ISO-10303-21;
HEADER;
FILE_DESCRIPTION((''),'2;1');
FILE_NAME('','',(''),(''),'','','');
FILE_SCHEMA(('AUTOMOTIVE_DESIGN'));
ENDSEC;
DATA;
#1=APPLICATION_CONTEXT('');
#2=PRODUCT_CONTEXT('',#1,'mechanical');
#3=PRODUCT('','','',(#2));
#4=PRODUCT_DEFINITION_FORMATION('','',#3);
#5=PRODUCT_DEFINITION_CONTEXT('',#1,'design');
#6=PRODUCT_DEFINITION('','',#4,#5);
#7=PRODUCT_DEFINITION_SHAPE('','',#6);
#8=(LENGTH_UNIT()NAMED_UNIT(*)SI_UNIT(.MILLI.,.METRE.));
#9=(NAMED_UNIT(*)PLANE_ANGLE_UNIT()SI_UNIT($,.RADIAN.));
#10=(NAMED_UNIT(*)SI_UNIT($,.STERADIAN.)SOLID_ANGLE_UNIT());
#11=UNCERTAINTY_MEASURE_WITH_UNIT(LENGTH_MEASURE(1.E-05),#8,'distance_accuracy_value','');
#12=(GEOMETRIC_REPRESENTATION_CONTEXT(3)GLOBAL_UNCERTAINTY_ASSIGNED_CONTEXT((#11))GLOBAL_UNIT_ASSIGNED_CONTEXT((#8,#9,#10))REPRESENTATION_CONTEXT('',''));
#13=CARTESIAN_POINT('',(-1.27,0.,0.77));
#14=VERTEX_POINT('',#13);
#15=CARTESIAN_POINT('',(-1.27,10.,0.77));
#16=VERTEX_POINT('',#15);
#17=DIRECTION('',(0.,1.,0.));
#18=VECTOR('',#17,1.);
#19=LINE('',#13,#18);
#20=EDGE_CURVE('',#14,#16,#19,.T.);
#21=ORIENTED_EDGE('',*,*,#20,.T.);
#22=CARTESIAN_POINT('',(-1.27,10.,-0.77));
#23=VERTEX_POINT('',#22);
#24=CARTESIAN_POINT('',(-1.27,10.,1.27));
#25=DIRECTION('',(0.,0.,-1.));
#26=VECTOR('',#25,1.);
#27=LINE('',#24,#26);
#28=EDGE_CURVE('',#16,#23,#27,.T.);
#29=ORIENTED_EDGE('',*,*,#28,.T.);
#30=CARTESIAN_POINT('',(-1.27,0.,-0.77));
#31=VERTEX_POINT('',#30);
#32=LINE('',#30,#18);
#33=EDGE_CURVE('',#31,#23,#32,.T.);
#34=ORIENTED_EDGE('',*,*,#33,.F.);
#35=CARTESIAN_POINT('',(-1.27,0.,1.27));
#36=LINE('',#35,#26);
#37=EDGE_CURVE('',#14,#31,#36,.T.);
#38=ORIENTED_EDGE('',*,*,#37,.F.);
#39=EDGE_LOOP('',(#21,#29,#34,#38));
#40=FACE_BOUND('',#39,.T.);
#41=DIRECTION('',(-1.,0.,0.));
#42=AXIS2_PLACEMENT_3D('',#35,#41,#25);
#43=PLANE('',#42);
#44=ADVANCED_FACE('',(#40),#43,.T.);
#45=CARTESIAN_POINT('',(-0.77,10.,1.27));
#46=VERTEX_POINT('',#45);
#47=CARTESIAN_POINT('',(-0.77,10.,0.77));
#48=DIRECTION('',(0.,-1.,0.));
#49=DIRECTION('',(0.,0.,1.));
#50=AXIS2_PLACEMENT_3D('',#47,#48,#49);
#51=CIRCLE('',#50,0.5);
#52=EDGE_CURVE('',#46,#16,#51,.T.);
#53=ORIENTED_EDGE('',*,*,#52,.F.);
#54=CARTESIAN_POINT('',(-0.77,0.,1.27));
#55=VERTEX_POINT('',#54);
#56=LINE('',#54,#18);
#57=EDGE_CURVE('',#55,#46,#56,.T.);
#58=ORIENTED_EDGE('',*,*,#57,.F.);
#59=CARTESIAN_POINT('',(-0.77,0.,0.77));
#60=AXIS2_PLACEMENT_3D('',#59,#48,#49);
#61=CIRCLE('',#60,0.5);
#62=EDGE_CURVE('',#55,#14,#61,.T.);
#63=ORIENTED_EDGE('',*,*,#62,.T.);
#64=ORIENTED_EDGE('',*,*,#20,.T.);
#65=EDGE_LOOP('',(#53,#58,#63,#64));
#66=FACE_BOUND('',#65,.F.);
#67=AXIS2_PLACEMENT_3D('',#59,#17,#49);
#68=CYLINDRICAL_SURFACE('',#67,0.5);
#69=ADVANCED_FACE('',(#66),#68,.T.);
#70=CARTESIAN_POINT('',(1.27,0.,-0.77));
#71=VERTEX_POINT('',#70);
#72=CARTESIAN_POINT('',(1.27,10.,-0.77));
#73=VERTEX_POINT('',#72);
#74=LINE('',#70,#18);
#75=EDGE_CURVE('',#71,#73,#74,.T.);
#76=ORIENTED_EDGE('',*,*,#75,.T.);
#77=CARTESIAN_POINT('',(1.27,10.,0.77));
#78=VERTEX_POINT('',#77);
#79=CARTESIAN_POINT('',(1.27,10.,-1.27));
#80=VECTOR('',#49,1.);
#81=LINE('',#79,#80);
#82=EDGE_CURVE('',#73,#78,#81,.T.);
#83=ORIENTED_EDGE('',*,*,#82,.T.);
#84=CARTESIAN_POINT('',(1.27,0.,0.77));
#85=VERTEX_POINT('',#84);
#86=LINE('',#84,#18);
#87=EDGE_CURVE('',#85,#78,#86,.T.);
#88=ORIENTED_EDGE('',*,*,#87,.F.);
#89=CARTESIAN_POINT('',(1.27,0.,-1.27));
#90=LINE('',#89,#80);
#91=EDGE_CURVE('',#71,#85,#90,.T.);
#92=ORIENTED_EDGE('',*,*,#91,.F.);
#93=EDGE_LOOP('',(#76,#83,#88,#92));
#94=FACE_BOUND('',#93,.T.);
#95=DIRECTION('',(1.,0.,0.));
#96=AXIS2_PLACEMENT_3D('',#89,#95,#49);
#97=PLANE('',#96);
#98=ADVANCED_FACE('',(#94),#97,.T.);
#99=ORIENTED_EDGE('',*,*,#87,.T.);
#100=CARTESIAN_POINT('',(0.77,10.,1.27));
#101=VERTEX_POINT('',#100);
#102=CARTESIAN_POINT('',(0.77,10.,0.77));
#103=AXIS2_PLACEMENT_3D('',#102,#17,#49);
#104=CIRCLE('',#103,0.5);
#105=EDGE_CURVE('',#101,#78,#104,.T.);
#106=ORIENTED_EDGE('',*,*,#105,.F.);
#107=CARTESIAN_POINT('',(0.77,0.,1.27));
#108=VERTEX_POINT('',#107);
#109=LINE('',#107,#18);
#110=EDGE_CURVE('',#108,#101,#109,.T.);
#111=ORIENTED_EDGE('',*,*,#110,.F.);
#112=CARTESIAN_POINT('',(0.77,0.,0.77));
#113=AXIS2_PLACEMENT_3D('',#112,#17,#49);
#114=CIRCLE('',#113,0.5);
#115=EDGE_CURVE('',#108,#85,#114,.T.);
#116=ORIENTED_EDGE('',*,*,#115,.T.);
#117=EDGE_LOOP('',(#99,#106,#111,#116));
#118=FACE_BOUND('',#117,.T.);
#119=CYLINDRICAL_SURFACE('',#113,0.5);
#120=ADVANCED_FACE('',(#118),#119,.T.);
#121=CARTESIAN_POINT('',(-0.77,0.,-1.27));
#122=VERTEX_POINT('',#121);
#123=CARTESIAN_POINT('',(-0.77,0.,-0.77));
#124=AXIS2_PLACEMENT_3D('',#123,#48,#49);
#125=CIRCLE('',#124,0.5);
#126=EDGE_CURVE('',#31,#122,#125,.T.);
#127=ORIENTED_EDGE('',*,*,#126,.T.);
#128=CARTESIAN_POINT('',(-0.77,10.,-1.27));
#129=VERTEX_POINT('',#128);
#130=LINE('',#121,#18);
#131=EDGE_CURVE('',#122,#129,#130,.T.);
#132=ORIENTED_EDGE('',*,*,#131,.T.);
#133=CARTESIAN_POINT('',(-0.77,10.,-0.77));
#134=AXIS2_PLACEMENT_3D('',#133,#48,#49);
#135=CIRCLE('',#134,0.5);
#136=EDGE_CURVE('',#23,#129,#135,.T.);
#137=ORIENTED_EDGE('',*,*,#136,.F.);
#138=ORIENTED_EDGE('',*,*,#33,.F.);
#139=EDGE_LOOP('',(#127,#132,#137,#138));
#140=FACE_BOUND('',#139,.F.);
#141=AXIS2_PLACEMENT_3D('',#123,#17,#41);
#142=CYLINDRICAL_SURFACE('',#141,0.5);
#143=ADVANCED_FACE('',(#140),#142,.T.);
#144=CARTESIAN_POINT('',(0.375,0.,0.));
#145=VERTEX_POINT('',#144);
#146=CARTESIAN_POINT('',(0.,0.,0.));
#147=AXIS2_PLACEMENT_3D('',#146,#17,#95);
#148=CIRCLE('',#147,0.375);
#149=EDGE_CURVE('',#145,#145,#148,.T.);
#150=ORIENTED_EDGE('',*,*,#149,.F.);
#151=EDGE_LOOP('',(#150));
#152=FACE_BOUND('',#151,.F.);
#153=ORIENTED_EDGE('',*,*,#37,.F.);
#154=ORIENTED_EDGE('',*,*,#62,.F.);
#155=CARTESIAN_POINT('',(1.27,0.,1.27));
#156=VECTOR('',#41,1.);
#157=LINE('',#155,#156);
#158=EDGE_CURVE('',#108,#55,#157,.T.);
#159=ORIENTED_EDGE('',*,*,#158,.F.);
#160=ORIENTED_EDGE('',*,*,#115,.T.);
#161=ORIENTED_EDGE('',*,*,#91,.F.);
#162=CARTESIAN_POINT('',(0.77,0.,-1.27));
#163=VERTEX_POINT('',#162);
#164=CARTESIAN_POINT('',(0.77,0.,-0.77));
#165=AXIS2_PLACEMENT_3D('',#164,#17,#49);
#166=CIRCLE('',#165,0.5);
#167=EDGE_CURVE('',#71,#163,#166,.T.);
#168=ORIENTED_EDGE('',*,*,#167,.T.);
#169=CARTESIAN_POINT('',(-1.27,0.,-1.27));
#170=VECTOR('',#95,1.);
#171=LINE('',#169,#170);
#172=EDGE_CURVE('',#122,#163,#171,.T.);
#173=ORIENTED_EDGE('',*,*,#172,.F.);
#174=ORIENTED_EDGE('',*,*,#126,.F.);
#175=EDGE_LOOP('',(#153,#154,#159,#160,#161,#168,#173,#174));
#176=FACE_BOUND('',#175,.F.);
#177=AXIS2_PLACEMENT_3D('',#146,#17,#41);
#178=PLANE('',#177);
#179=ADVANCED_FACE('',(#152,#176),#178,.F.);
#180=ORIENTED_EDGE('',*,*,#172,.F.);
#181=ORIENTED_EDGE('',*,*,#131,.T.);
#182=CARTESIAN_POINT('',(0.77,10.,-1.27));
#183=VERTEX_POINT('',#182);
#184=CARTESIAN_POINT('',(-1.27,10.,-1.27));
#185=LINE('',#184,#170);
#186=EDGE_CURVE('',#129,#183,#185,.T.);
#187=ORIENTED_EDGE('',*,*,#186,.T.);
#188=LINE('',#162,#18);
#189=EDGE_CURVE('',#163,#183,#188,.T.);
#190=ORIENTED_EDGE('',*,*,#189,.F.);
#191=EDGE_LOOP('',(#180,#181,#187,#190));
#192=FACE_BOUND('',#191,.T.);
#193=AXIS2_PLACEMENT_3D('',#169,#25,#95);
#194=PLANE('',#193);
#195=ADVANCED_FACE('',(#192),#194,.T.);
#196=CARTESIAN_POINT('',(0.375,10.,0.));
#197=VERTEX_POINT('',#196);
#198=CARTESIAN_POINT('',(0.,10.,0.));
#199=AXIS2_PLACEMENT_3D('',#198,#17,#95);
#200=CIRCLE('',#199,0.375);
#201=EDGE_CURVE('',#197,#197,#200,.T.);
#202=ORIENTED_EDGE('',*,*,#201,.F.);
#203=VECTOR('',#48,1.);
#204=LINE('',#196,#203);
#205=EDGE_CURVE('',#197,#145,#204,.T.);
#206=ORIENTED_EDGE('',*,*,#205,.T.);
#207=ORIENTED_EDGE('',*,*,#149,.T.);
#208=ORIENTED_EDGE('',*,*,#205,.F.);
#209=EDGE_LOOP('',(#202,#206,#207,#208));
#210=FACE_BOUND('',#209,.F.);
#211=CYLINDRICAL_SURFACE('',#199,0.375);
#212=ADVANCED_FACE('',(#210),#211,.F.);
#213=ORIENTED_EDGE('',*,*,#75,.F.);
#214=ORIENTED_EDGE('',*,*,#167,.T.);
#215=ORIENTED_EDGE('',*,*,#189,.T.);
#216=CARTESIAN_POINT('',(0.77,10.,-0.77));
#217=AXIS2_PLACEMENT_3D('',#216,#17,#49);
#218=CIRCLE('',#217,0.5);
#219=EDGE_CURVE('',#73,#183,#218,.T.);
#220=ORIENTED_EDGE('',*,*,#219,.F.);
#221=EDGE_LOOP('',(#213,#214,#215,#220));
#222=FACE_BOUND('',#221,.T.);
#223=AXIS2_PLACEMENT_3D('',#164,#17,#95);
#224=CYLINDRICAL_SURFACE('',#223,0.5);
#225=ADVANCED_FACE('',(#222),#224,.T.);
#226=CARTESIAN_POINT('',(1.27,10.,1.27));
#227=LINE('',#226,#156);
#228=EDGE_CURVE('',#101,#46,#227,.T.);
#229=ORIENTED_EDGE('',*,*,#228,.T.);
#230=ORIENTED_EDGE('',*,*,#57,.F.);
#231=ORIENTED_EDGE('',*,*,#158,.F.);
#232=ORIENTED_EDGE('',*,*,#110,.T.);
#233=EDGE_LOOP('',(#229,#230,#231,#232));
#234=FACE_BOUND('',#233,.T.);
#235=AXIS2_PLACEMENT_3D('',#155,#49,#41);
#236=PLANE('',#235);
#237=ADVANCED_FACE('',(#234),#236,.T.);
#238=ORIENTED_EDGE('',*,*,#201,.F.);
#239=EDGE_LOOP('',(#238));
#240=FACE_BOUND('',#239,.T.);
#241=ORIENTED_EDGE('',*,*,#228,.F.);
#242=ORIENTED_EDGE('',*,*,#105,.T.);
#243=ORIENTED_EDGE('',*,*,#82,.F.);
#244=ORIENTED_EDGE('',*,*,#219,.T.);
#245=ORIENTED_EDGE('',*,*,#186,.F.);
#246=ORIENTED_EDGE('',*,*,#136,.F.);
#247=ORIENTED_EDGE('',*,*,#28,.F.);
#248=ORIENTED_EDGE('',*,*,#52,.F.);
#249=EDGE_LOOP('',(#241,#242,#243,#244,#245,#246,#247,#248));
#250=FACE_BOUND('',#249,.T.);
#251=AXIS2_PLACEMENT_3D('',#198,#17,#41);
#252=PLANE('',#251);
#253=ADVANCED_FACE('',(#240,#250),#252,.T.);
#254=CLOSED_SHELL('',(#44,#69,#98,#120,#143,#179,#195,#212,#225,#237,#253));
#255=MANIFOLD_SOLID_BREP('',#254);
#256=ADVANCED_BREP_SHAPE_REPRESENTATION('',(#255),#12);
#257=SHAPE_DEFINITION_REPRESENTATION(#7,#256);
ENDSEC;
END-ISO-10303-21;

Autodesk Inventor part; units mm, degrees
ref_plane "YZ Plane" through (0, 0, 0) normal (1, 0, 0) x (0, 1, 0)
ref_plane "XZ Plane" through (0, 0, 0) normal (0, 1, 0) x (-1, 0, 0)
ref_plane "XY Plane" through (0, 0, 0) normal (0, 0, 1) x (1, 0, 0)
sketch "Sketch1" plane through (0, 0, 0) normal (0, 1, 0) x (-1, 0, 0)
  line L0 (-1.27, 1.27) -> (1.27, 1.27)
  line L1 (1.27, 1.27) -> (1.27, -1.27)
  line L2 (1.27, -1.27) -> (-1.27, -1.27)
  line L3 (-1.27, -1.27) -> (-1.27, 1.27)
  line L4 (-1.27, 1.27) -> (1.27, -1.27) construction
  line L5 (1.27, 1.27) -> (-1.27, -1.27) construction
  point P0 (0, 0)
  dimension "d0" = 2.54
  dimension "d1" = 2.54
extrude "Extrusion1" add sketch "Sketch1" along normal blind 10
sketch "Sketch2" plane through (0, 10, 0) normal (0, 1, 0) x (1, 0, 0)
  circle A0 centre (0, 0) radius 0.375
  dimension "d4" = 0.75
extrude "Extrusion2" cut sketch "Sketch2" against normal blind 100
fillet "Fillet1" radius 0.5 4 edges at (-1.27, 5, 1.27) (1.27, 5, 1.27) (1.27, 5, -1.27) (-1.27, 5, -1.27)
properties part number "block"
